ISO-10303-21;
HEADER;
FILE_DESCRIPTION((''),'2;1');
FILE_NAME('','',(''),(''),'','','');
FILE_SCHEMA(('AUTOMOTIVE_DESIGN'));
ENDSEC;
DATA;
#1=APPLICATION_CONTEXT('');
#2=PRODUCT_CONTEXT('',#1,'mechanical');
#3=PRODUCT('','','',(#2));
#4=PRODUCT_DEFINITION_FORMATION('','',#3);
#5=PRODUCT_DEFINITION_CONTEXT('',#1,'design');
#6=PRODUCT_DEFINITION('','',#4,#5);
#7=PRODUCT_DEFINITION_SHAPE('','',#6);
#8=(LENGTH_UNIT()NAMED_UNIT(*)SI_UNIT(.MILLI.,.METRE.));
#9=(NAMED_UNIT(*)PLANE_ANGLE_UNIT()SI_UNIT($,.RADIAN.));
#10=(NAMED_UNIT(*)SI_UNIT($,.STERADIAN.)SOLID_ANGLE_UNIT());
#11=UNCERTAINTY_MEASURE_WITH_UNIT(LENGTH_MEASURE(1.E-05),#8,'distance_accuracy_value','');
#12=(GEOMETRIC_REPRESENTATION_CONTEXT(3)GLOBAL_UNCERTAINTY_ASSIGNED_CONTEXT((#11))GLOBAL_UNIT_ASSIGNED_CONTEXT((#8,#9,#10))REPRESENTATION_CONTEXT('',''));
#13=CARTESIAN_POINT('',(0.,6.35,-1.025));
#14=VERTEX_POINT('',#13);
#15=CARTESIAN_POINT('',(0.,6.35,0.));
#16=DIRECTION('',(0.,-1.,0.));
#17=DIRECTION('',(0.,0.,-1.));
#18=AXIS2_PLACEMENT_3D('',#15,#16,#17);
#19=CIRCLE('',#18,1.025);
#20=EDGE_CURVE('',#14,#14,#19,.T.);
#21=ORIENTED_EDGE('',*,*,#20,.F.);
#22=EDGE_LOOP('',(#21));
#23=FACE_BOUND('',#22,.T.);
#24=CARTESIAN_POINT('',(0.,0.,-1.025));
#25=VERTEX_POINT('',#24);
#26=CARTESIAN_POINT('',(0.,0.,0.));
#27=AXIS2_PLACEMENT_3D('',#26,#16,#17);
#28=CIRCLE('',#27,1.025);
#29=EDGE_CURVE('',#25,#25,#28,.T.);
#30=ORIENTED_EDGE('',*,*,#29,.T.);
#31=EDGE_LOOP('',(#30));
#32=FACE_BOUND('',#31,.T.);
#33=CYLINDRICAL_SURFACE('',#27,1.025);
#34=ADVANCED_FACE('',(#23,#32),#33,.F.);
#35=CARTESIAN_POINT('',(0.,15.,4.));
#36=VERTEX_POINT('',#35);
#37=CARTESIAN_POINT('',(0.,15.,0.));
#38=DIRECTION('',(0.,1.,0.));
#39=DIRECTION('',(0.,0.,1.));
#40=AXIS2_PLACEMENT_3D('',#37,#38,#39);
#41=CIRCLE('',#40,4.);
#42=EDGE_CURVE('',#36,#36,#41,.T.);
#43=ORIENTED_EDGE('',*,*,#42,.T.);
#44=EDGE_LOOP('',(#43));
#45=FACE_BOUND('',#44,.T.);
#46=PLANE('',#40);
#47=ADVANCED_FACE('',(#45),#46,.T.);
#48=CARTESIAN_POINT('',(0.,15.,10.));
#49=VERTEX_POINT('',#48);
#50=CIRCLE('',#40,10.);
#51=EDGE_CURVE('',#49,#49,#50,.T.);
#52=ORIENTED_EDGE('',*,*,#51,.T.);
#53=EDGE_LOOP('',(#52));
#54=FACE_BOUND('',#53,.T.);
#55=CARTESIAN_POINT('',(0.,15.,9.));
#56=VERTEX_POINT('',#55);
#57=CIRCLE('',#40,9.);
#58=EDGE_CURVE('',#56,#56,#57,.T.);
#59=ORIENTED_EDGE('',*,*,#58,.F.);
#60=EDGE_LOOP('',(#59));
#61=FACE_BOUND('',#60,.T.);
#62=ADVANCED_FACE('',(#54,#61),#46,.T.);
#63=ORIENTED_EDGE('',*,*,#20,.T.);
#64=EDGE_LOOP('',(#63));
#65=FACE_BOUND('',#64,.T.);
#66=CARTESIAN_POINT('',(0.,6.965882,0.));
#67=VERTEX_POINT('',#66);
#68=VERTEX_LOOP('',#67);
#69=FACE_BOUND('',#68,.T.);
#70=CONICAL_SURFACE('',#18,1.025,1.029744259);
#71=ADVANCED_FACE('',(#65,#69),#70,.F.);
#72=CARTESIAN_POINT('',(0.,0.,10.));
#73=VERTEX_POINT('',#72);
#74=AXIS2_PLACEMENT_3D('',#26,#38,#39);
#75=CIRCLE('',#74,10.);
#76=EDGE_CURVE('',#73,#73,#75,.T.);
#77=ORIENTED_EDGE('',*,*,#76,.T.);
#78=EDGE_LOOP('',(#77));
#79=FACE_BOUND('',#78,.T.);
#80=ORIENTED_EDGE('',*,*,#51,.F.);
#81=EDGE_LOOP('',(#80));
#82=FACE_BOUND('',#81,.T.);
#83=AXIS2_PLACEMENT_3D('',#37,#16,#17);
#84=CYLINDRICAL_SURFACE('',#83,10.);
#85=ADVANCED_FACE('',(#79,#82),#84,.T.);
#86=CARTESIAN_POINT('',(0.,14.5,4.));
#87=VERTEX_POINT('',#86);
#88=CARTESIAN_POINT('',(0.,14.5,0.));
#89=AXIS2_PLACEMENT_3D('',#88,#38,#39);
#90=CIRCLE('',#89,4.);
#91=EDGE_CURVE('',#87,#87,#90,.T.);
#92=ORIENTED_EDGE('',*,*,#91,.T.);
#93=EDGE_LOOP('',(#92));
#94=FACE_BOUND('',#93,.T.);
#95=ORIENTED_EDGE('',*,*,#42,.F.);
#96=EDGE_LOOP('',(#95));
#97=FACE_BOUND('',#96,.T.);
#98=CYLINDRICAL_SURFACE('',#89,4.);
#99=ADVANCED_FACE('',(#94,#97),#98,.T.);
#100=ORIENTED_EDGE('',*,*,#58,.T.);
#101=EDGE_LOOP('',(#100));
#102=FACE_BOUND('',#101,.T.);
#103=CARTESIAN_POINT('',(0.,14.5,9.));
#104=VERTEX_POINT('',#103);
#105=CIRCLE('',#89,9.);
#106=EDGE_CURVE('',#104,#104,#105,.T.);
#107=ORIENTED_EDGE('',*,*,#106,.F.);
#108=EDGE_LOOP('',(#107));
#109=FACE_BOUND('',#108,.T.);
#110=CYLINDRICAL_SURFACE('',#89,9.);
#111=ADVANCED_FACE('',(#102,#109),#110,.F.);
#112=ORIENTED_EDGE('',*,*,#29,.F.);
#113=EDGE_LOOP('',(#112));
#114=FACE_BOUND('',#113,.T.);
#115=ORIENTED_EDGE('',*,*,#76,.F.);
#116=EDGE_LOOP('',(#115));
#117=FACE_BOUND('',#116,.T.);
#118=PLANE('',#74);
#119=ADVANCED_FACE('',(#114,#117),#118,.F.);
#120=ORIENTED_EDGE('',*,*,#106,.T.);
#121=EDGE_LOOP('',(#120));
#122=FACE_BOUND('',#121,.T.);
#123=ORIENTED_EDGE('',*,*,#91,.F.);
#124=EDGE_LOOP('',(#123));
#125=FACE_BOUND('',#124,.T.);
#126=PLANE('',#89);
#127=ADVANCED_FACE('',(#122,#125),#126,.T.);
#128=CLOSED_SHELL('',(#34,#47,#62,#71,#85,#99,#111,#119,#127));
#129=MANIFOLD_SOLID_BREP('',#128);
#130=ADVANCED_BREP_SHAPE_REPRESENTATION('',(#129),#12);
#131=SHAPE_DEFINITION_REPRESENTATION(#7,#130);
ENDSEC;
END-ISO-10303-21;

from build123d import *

# Parameters (mm, degrees)
SKETCH1_R                    = 10
BOSS_EXTRUDE1_DEPTH          = 15
SKETCH2_R                    = 9
SKETCH2_R_2                  = 4
CUT_EXTRUDE1_DEPTH           = 0.5
M2_5X0_45_TAPPED_HOLE1_D     = 2.05
M2_5X0_45_TAPPED_HOLE1_DEPTH = 6.35
M2_5X0_45_TAPPED_HOLE1_TIP   = 0.615882135


with BuildPart() as part:
    # Sketch1 → Boss-Extrude1 (new body)
    with BuildSketch(Plane(origin=(0, 0, 0), x_dir=(1, 0, 0), z_dir=(0, 1, 0))):
        with Locations(Location((0, 0, 0), (0, 0, 270))):
            Circle(SKETCH1_R)
    extrude(amount=BOSS_EXTRUDE1_DEPTH)

    # Sketch2 → Cut-Extrude1 (cut)
    with BuildSketch(Plane(origin=(0, 15, 0), x_dir=(1, 0, 0), z_dir=(0, 1, 0))):
        with Locations(Location((0, 0, 0), (0, 0, 270))):
            Circle(SKETCH2_R)
        with Locations(Location((0, 0, 0), (0, 0, 270))):
            Circle(SKETCH2_R_2, mode=Mode.SUBTRACT)
    extrude(amount=-CUT_EXTRUDE1_DEPTH, mode=Mode.SUBTRACT)

    # M2.5x0.45 Tapped Hole1
    with Locations(Plane(origin=(0, 0, 0), x_dir=(-1, 0, 0), z_dir=(0, -1, 0))):
        with Locations((0, 0)):
            Hole(M2_5X0_45_TAPPED_HOLE1_D / 2, depth=M2_5X0_45_TAPPED_HOLE1_DEPTH)
            with Locations((0, 0, -(M2_5X0_45_TAPPED_HOLE1_DEPTH + M2_5X0_45_TAPPED_HOLE1_TIP / 2))):  # 118° drill point
                Cone(0, M2_5X0_45_TAPPED_HOLE1_D / 2, M2_5X0_45_TAPPED_HOLE1_TIP, mode=Mode.SUBTRACT)


solid = part.part
